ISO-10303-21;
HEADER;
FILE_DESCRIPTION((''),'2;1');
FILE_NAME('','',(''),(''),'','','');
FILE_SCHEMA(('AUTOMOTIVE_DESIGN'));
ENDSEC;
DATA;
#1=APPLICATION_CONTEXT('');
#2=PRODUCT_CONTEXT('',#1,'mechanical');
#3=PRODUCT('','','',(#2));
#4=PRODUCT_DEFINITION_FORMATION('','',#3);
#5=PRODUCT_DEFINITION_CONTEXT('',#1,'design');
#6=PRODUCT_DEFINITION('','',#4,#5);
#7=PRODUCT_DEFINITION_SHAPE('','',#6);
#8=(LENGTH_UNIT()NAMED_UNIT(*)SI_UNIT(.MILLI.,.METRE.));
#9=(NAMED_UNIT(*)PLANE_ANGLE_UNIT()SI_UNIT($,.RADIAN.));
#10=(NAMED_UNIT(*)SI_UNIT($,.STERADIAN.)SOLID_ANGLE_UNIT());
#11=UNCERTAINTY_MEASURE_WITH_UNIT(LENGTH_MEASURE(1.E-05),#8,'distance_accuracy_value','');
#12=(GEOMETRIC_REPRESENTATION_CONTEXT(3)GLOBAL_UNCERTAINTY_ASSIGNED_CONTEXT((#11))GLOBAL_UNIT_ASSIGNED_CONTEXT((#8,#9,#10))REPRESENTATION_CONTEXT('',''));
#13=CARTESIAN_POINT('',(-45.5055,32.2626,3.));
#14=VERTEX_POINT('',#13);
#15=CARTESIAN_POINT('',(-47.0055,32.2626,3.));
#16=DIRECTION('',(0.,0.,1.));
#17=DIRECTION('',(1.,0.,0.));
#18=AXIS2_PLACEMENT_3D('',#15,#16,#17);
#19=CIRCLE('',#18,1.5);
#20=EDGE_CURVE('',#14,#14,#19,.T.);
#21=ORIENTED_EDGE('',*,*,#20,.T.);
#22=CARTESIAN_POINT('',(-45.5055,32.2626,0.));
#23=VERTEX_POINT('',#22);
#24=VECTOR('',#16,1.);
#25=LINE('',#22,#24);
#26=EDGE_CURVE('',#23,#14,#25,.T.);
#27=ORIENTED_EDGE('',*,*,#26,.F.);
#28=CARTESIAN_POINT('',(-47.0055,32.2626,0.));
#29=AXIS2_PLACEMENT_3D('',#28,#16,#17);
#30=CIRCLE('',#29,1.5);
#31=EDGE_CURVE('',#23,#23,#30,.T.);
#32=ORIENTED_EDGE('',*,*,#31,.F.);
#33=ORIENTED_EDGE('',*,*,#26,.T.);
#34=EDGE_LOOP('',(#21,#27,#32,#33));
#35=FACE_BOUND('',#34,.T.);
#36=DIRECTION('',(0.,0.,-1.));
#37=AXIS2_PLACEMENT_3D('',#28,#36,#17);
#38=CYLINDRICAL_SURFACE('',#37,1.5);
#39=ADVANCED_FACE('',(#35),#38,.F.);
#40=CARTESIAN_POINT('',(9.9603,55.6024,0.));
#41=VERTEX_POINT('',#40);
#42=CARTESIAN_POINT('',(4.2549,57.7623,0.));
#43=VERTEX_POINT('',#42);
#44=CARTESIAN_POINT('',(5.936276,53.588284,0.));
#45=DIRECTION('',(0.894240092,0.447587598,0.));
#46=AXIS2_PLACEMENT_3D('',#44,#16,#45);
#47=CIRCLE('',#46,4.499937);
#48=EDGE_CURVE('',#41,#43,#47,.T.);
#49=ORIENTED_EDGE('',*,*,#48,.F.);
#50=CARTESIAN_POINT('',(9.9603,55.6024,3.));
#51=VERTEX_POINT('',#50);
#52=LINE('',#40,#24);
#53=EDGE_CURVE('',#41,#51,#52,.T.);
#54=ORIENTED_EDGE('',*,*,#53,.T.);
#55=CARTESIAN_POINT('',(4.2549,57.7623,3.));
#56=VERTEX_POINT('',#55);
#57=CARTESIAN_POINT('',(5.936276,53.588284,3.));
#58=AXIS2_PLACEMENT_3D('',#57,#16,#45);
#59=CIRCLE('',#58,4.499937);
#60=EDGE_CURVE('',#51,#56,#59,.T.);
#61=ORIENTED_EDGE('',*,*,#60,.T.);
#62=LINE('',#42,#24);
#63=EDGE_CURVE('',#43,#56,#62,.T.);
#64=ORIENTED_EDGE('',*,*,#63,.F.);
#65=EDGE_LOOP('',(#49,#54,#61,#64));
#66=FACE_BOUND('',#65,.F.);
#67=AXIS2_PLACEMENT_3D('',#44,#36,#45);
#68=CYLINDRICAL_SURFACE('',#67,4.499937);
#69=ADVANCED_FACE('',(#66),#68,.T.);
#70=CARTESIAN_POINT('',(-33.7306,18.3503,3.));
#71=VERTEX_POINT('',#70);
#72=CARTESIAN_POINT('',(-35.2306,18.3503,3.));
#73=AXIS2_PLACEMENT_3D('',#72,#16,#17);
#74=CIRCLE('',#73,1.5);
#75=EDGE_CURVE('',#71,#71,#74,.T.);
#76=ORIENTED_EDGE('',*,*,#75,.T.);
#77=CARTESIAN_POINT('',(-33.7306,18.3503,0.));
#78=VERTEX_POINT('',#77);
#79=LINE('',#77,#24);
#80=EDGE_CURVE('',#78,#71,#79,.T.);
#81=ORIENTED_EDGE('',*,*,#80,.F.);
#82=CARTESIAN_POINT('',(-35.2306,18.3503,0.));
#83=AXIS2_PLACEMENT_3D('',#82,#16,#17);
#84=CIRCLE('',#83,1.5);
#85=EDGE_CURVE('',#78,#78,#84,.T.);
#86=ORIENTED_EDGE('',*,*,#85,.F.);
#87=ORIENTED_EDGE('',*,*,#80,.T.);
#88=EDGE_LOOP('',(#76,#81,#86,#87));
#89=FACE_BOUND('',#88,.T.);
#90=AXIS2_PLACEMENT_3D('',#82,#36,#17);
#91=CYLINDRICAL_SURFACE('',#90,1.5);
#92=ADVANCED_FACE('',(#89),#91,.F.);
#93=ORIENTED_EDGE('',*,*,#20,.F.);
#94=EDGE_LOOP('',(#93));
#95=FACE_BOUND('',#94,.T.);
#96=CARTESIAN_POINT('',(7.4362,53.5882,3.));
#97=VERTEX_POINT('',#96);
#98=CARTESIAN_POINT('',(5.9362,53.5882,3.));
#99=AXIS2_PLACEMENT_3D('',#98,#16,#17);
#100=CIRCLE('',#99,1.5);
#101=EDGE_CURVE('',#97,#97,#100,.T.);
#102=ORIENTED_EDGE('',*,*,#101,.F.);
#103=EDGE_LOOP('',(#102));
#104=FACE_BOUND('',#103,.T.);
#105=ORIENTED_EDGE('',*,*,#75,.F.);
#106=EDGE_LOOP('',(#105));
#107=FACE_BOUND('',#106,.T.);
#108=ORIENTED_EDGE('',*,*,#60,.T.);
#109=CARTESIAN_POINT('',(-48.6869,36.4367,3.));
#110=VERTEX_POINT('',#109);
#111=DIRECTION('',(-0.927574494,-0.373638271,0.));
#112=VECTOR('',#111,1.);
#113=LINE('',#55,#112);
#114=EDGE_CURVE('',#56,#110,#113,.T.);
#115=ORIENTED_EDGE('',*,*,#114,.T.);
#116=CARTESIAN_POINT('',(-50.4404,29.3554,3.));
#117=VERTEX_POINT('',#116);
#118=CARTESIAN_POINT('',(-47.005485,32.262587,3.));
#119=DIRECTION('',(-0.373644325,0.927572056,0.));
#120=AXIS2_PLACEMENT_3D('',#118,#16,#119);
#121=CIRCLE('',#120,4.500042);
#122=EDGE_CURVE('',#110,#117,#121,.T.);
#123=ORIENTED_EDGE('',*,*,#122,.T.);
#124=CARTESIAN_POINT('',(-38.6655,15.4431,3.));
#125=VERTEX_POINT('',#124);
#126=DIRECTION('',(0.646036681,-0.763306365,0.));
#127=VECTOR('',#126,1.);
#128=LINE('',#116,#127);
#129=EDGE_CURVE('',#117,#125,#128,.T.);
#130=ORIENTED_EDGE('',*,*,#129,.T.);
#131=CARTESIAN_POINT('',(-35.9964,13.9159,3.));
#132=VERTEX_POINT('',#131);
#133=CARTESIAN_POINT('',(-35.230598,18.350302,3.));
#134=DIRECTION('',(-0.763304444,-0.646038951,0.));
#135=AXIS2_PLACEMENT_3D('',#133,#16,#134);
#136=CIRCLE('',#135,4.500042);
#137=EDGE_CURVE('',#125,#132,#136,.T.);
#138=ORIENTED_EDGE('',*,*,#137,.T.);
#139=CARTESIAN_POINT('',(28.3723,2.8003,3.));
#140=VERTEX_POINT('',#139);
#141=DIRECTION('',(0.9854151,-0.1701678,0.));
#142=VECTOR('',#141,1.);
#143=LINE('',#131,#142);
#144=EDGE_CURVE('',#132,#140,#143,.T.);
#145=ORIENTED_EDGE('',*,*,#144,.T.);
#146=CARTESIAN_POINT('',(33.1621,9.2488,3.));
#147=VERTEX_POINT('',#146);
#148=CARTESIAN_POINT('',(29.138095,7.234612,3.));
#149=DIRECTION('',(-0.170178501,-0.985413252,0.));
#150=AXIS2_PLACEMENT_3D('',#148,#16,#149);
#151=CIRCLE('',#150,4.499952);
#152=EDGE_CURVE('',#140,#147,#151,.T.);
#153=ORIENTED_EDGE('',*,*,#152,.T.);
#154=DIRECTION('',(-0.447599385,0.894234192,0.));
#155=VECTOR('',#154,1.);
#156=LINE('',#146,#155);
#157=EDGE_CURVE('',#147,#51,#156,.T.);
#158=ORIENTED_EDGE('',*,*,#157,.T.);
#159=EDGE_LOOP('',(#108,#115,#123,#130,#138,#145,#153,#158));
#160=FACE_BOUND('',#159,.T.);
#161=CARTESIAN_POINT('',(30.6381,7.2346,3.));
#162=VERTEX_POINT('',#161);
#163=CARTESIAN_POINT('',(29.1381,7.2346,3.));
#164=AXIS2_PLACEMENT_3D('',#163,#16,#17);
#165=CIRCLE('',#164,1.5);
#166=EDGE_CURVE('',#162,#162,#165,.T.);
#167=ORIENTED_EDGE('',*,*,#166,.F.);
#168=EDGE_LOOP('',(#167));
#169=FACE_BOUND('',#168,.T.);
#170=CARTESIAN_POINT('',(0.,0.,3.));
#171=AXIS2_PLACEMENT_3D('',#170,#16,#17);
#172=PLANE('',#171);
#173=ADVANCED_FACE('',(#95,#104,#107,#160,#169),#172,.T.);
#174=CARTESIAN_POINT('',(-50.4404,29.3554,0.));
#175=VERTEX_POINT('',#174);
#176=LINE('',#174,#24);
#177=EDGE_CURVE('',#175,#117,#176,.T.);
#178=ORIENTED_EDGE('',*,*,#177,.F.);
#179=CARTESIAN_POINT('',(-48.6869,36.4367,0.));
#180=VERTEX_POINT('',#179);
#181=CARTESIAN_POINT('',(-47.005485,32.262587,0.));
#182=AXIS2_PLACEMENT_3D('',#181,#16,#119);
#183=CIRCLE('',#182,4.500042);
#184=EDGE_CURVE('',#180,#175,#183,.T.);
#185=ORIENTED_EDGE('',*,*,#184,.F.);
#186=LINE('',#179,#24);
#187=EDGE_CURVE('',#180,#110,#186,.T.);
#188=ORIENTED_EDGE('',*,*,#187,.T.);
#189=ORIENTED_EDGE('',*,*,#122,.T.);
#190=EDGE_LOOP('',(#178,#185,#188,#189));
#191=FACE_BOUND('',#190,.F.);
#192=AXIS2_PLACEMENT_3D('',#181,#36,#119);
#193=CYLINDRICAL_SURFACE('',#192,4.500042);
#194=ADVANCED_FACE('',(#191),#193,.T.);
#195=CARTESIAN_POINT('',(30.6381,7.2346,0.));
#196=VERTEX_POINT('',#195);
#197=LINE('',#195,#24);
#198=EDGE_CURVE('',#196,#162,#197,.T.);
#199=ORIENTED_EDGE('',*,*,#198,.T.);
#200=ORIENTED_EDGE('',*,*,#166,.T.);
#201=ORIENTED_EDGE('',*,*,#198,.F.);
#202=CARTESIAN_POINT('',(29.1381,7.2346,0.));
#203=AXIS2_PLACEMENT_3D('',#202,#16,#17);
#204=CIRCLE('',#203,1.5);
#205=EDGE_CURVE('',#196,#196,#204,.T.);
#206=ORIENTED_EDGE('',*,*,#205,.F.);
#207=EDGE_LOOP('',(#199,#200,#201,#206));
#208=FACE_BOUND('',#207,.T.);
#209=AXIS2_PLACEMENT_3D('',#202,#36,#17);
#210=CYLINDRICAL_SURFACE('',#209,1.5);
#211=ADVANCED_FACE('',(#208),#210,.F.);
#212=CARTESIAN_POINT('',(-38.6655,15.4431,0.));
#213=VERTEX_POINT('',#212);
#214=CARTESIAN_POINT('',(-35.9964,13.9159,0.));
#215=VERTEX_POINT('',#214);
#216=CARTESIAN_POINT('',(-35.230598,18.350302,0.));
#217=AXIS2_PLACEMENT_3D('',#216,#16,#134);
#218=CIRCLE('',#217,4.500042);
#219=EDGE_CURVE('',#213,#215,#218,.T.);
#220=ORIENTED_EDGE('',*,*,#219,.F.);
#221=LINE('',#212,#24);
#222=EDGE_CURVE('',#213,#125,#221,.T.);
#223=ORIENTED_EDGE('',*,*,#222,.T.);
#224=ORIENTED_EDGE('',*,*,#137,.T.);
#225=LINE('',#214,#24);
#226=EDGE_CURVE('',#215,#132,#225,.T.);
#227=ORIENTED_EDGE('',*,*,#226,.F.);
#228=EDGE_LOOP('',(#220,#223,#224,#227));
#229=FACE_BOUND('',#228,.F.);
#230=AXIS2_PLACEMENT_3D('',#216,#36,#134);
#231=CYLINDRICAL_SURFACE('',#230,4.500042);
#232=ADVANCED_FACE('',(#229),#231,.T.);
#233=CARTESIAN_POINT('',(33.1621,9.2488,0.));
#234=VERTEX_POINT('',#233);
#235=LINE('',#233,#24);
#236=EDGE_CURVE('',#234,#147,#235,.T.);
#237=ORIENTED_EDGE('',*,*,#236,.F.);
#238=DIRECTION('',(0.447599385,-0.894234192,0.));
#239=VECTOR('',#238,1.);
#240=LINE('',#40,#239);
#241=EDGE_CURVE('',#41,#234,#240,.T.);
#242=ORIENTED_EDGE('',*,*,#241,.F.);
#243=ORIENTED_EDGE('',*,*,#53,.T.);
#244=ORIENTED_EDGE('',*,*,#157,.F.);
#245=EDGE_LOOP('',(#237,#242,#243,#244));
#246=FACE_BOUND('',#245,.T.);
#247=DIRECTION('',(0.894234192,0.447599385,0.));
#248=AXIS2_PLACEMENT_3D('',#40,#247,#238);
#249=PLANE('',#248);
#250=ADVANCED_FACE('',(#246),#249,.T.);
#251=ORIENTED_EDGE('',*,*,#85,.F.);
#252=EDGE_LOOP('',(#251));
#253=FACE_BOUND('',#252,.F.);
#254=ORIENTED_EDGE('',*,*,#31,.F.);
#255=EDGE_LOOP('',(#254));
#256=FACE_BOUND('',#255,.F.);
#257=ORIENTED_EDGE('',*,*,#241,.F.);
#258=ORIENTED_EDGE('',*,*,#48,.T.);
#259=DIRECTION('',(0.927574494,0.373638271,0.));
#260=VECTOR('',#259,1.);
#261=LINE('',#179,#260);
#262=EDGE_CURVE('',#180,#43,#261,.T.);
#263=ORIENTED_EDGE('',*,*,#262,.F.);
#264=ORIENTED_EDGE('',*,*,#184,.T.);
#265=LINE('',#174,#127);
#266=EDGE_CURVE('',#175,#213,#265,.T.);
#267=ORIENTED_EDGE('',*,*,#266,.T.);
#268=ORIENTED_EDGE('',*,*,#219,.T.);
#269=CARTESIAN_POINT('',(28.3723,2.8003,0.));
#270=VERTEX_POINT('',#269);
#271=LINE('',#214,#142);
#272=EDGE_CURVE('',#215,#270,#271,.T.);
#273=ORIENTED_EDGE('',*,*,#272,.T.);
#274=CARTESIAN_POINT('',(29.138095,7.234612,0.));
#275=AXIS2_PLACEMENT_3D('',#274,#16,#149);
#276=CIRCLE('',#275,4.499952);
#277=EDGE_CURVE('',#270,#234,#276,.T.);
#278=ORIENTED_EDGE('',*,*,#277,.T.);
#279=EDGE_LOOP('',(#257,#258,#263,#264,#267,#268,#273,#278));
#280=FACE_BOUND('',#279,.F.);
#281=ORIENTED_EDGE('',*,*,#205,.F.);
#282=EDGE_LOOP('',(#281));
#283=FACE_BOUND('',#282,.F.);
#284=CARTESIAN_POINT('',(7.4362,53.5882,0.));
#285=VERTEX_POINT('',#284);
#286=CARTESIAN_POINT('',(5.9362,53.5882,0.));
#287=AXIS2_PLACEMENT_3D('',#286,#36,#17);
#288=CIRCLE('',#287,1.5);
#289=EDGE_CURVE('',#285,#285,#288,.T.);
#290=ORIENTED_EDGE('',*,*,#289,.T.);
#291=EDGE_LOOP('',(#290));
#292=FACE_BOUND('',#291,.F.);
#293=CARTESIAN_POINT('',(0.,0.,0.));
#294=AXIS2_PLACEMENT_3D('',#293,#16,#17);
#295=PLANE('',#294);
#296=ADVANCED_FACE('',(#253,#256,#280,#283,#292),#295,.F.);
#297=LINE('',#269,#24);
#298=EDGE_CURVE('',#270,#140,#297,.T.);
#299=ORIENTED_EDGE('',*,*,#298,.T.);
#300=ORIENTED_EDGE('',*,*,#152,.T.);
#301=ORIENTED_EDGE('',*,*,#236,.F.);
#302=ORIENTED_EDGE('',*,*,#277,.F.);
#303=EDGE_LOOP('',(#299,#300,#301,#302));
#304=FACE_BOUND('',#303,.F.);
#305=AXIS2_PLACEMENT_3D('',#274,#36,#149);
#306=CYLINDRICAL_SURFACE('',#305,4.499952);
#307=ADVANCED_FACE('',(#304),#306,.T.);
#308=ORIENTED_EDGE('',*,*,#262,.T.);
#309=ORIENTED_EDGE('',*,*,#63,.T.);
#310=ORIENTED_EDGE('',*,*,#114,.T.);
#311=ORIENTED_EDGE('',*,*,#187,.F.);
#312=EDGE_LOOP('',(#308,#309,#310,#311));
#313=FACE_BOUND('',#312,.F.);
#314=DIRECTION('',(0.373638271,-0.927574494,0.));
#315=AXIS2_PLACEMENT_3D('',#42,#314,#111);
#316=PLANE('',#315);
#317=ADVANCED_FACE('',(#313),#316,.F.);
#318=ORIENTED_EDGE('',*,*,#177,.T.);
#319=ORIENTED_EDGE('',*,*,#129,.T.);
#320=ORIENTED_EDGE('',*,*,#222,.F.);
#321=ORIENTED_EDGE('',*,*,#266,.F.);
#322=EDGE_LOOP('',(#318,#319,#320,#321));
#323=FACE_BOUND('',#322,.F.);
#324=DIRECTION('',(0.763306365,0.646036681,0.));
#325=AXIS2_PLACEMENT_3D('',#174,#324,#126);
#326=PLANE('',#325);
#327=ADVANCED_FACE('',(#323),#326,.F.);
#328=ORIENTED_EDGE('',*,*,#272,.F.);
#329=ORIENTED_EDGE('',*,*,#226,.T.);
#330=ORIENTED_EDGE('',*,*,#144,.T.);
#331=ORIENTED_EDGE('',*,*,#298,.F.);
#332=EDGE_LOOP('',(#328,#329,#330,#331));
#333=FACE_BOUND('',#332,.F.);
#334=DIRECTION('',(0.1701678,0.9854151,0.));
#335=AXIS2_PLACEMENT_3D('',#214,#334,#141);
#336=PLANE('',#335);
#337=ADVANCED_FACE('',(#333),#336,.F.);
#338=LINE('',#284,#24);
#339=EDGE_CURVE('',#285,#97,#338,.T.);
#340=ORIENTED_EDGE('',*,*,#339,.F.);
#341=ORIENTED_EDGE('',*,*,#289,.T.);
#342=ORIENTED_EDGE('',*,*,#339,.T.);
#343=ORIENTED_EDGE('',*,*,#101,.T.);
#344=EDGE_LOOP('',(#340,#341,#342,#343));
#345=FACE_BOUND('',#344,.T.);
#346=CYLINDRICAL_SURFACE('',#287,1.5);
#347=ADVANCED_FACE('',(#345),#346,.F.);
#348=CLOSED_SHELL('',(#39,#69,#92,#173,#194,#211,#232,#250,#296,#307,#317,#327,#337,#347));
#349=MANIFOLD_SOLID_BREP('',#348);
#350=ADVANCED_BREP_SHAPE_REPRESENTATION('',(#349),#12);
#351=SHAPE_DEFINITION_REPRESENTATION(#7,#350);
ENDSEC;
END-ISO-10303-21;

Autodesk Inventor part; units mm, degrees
ref_plane "YZ Plane" through (0, 0, 0) normal (1, 0, 0) x (0, 1, 0)
ref_plane "XZ Plane" through (0, 0, 0) normal (0, 1, 0) x (-1, 0, 0)
ref_plane "XY Plane" through (0, 0, 0) normal (0, 0, 1) x (1, 0, 0)
sketch "スケッチ2" plane through (0, 0, 0) normal (0, 0, 1) x (1, 0, 0)
  circle A0 centre (0, 0) radius 10.1 construction
  circle A1 centre (25.3202, -9.9362) radius 17.1 construction
  circle A2 centre (110.4743, -16.4118) radius 28.1 construction
  circle A3 centre (62.4131, -12.7569) radius 20.1 construction
  circle A4 centre (-21.6908, -16.4118) radius 17.1 construction
  circle A5 centre (-105.5257, -16.4118) radius 28.1 construction
  line L0 (-170.915, -81.4118) -> (490.0044, -81.4118)
  line L1 (-105.5257, -16.4118) -> (-21.6908, -16.4118) construction
  line L2 (110.4743, -16.4118) -> (25.3202, -9.9362) construction
  line L3 (110.4743, -16.4118) -> (104.1501, -0.632)
  line L4 (104.1501, -0.632) -> (95.5937, 20.7173) construction
  line L5 (95.5937, 20.7173) -> (70.4743, -10.4118) construction
  line L6 (70.4743, -10.4118) -> (110.4743, -16.4118) construction
  line L7 (-137.6819, 53.5882) -> (165.8186, 53.5882)
  line L8 (25.3202, -9.9362) -> (108.6869, 8.5882) construction
  line L9 (25.3202, -9.9362) -> (102.5386, -46.4118) construction
  line L10 (25.3202, -9.9362) -> (5.9362, 53.5882) construction
  line L11 (5.9362, 53.5882) -> (127.6431, 30.2622)
  line L12 (127.6431, 30.2622) -> (110.4743, -16.4118) construction
  line L13 (102.5386, -46.4118) -> (118.0681, 0.8329) construction
  line L14 (118.0681, 0.8329) -> (5.9362, 53.5882) construction
  line L15 (108.6869, 8.5882) -> (129.8583, 53.5882) construction
  line L16 (129.8583, 53.5882) -> (5.9362, 53.5882) construction
  line L17 (119.2726, 31.0882) -> (366.4441, 68.5882) construction
  line L18 (119.0587, 6.9252) -> (362.0213, 65.8249) construction
  line L19 (110.3034, -22.7894) -> (351.0624, 44.5537) construction
  line L20 (127.6431, 30.2622) -> (4.1927, 19.4617) construction
  circle A6 centre (80.4743, 23.124) radius 3 construction
  circle A7 centre (80.4743, 23.124) radius 1.5
  arc A8 (79.801, 27.5733) -> (76.162, 24.4099) centre (80.4743, 23.124) ccw
  circle A9 centre (70.4743, -10.4118) radius 1.5
  arc A10 (66.162, -9.1259) -> (69.4242, -14.7876) centre (70.4743, -10.4118) ccw
  circle A11 centre (150.4743, 0.5882) radius 1.5
  arc A12 (152.5623, -3.3981) -> (154.0408, 3.3323) centre (150.4743, 0.5882) ccw
  circle A13 centre (127.6431, 30.2622) radius 1.5
  arc A14 (131.2816, 32.9102) -> (126.9698, 34.7115) centre (127.6431, 30.2622) ccw
  circle A15 centre (110.4743, -16.4118) radius 5
  arc A16 (108.6075, -24.1909) -> (114.1862, -23.4986) centre (110.4743, -16.4118) ccw
  line L21 (76.162, 24.4099) -> (66.162, -9.1259)
  line L22 (69.4242, -14.7876) -> (108.6075, -24.1909)
  line L23 (114.1862, -23.4986) -> (152.5623, -3.3981)
  line L24 (154.0408, 3.3323) -> (131.2097, 33.0062)
  line L25 (126.9698, 34.7115) -> (79.801, 27.5733)
  circle A17 centre (-145.5257, 0.5882) radius 1.5
  arc A18 (-149.0922, 3.3323) -> (-147.6136, -3.3981) centre (-145.5257, 0.5882) ccw
  circle A19 centre (-105.5257, -16.4118) radius 5
  arc A20 (-109.2375, -23.4986) -> (-103.6588, -24.1909) centre (-105.5257, -16.4118) ccw
  circle A21 centre (-65.5257, -10.4118) radius 1.5
  arc A22 (-64.4756, -14.7876) -> (-61.2133, -9.1259) centre (-65.5257, -10.4118) ccw
  circle A23 centre (0, 0) radius 20.05 construction
  circle A24 centre (110.4743, -16.4118) radius 30.1 construction
  circle A25 centre (62.4131, -12.7569) radius 22.1 construction
  circle A26 centre (25.3202, -9.9362) radius 19.1 construction
  circle A27 centre (0, 0) radius 12.1 construction
  circle A28 centre (-21.6908, -16.4118) radius 19.1 construction
  circle A29 centre (-105.5257, -16.4118) radius 30.1 construction
  circle A30 centre (0, 0) radius 20.55 construction
  circle A31 centre (95.5937, 20.7173) radius 4.025 construction
  circle A32 centre (95.5937, 20.7173) radius 6.025 construction
  circle A33 centre (-75.5257, 23.124) radius 1.5
  arc A34 (-71.2133, 24.4099) -> (-74.8523, 27.5733) centre (-75.5257, 23.124) ccw
  circle A35 centre (-122.6945, 30.2622) radius 1.5
  arc A36 (-122.0212, 34.7115) -> (-126.261, 33.0062) centre (-122.6945, 30.2622) ccw
  line L26 (-126.261, 33.0062) -> (-149.0922, 3.3323)
  line L27 (-147.6136, -3.3981) -> (-109.2375, -23.4986)
  line L28 (-103.6588, -24.1909) -> (-64.4756, -14.7876)
  line L29 (-61.2133, -9.1259) -> (-71.2133, 24.4099)
  line L30 (-74.8523, 27.5733) -> (-122.0212, 34.7115)
  circle A37 centre (14, -17.4118) radius 2.2921 construction
  circle A38 centre (-14, -17.4118) radius 2.2921 construction
  circle A39 centre (-14, -17.4118) radius 14 construction
  circle A40 centre (14, -17.4118) radius 14 construction
  line L31 (-170.6512, -31.4118) -> (202.8656, -31.4118)
  line L32 (5.9362, 53.5882) -> (-38.6574, 35.6253) construction
  line L33 (5.9362, 53.5882) -> (-26.7676, 18.3503) construction
  circle A41 centre (5.9362, 53.5882) radius 1.5
  arc A42 (9.9603, 55.6024) -> (4.2549, 57.7623) centre (5.9362, 53.5882) ccw
  line L34 (-21.6908, -16.4118) -> (-99.9742, 13.5882) construction
  line L35 (-21.6908, -16.4118) -> (-101.7113, -41.4118) construction
  line L36 (9.9603, 55.6024) -> (33.1621, 9.2488)
  circle A43 centre (-47.0055, 32.2626) radius 1.5
  arc A44 (-48.6869, 36.4367) -> (-50.4404, 29.3554) centre (-47.0055, 32.2626) ccw
  line L37 (4.2549, 57.7623) -> (-48.6869, 36.4367)
  line L38 (-50.4404, 29.3554) -> (-38.6655, 15.4431)
  circle A45 centre (29.1381, 7.2346) radius 3 construction
  circle A46 centre (-84.8661, 5.2713) radius 4.5 construction
  circle A47 centre (-132.0174, -1.9813) radius 4.5 construction
  line L39 (-132.7015, 2.4664) -> (-85.5502, 9.719) construction
  arc A48 (28.3723, 2.8003) -> (33.1621, 9.2488) centre (29.1381, 7.2346) ccw
  arc A49 (-38.6655, 15.4431) -> (-35.9964, 13.9159) centre (-35.2306, 18.3503) ccw
  line L40 (-35.9964, 13.9159) -> (28.3723, 2.8003)
  circle A50 centre (-38.6574, 35.6253) radius 3 construction
  circle A51 centre (25.3202, -9.9362) radius 4.025 construction
  circle A52 centre (-21.6908, -16.4118) radius 4.025 construction
  circle A53 centre (-35.2306, 18.3503) radius 1.5
  circle A54 centre (29.1381, 7.2346) radius 1.5
  circle A55 centre (-57.813, 39.7705) radius 4.5 construction
  circle A56 centre (-99.304, 63.3152) radius 4.5 construction
  line L41 (5.9362, 53.5882) -> (-32.8159, 25.1361) construction
  circle A57 centre (-58.0056, -24.4791) radius 20.1 construction
  circle A58 centre (-58.0056, -24.4791) radius 22.1 construction
  line L42 (-53.3261, 39.4281) -> (-56.2797, 0.7243) construction
  circle A59 centre (-38.6574, 35.6253) radius 4.5
  dimension "d207" = 9
  dimension "d208" = 9
  dimension "d223" = 9
  dimension "d119" = 20.2
  dimension "d120" = 34.2
  dimension "d121" = 56.2
  dimension "d122" = 40.2
  dimension "d123" = 216
  dimension "d124" = 65
  dimension "d125" = 65
  dimension "d126" = 34.2
  dimension "d127" = 56.2
  dimension "d128" = 17
  dimension "d129" = 23
  dimension "d130" = 40
  dimension "d131" = 40
  dimension "d132" = 6
  dimension "d133" = 135
  dimension "d134" = 25
  dimension "d135" = 30
  dimension "d136" = 5
  dimension "d137" = 2
  dimension "d138" = 250
  dimension "d139" = 150
  dimension "d140" = 250
  dimension "d141" = 250
  dimension "d142" = 123.823
  dimension "d143" = 123.823
  dimension "d144" = 123.823
  dimension "d145" = 6
  dimension "d146" = 3
  dimension "d147" = 9
  dimension "d148" = 3
  dimension "d149" = 9
  dimension "d150" = 3
  dimension "d151" = 9
  dimension "d152" = 40
  dimension "d153" = 17
  dimension "d154" = 3
  dimension "d155" = 9
  dimension "d156" = 10
  dimension "d157" = 3
  dimension "d158" = 3
  dimension "d159" = 9
  dimension "d160" = 40
  dimension "d161" = 17
  dimension "d162" = 10
  dimension "d163" = 3
  dimension "d164" = 3
  dimension "d165" = 9
  dimension "d166" = 40
  dimension "d167" = 6
  dimension "d168" = 40.1
  dimension "d169" = 2
  dimension "d170" = 2
  dimension "d171" = 2
  dimension "d172" = 2
  dimension "d173" = 2
  dimension "d174" = 2
  dimension "d175" = 0.5
  dimension "d176" = 8.05
  dimension "d177" = 2
  dimension "d178" = 3
  dimension "d179" = 9
  dimension "d180" = 3
  dimension "d181" = 9
  dimension "d182" = 46.674
extrude "押し出し2" add sketch "スケッチ2" along normal blind 3 contours A41 L7 L37 A42 L36 | L7 L36 L11 A41 | A59 | A41 L11 L36 A48 L40 A49 L38 A44 L37 L7
equation "\"d126\" = d120"
equation "\"d127\" = d121"
equation "\"d143\" = d142"
equation "\"d144\" = d142"
properties part number "中間外フレーム" material "ポリカーボネート、クリア"
